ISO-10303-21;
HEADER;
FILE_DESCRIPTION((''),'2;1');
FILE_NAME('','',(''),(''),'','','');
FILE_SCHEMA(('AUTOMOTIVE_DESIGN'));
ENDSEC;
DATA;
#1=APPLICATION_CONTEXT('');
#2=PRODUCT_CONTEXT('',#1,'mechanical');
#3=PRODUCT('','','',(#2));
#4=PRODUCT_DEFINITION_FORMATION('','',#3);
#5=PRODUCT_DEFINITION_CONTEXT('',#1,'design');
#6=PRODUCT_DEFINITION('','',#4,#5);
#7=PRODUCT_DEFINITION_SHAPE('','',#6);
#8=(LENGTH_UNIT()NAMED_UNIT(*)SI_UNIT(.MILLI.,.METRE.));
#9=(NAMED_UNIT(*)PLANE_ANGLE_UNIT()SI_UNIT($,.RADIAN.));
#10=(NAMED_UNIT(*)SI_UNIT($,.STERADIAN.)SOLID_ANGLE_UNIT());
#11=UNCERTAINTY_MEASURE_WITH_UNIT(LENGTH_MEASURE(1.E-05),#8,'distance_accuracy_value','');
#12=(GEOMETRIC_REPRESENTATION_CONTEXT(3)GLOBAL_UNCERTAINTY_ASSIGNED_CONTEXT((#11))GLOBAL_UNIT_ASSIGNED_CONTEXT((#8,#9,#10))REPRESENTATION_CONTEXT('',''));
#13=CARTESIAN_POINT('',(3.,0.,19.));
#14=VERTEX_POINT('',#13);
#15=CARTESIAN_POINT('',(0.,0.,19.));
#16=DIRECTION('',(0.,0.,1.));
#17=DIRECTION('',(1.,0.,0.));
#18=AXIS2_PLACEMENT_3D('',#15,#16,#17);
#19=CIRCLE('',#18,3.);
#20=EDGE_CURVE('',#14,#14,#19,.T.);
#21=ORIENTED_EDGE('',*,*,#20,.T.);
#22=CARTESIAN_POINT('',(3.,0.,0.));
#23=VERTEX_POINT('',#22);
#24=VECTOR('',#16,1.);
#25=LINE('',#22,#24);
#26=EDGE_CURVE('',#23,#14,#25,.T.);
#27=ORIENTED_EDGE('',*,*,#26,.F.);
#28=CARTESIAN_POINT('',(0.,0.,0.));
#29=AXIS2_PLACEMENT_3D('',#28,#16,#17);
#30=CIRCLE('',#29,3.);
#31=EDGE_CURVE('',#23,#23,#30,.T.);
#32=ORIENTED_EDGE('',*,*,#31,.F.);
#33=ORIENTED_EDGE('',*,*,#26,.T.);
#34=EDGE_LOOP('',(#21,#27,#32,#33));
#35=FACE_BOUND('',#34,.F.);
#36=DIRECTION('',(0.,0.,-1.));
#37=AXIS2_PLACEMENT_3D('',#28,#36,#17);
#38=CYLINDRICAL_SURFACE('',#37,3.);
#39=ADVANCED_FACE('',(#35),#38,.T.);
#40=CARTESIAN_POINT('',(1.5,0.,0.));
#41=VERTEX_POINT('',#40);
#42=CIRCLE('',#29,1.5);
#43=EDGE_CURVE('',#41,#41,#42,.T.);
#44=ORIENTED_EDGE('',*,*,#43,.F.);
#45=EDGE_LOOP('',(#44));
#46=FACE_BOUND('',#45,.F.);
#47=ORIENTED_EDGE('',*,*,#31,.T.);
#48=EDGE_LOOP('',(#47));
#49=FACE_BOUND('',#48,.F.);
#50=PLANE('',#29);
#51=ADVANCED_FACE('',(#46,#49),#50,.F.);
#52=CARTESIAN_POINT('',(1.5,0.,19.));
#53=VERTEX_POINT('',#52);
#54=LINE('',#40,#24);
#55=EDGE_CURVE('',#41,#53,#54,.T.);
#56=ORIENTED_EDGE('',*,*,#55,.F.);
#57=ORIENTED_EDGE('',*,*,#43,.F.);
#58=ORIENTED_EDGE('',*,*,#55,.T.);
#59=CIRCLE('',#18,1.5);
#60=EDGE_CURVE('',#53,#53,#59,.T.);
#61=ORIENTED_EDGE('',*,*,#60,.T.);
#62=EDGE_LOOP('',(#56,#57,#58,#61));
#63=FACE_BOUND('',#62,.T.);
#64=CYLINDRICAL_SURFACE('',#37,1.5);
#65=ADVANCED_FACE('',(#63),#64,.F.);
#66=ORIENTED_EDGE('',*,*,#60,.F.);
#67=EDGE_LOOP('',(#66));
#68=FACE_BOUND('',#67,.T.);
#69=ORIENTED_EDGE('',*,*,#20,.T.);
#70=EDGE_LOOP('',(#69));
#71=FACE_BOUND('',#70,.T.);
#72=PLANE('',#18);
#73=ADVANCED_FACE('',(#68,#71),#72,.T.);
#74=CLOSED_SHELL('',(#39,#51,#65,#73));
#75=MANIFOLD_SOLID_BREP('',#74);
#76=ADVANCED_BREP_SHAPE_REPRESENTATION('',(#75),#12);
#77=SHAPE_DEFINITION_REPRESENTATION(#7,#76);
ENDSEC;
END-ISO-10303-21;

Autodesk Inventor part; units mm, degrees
ref_plane "YZ Plane" through (0, 0, 0) normal (1, 0, 0) x (0, 1, 0)
ref_plane "XZ Plane" through (0, 0, 0) normal (0, 1, 0) x (-1, 0, 0)
ref_plane "XY Plane" through (0, 0, 0) normal (0, 0, 1) x (1, 0, 0)
sketch "スケッチ1" plane through (0, 0, 0) normal (0, 0, 1) x (1, 0, 0)
  circle A0 centre (0, 0) radius 3
  circle A1 centre (0, 0) radius 1.5
  dimension "d0" = 6
  dimension "d1" = 3
extrude "押し出し1" add sketch "スケッチ1" along normal blind 19
properties part number "スペーサーm3,19" material "アルミニウム 6061"
